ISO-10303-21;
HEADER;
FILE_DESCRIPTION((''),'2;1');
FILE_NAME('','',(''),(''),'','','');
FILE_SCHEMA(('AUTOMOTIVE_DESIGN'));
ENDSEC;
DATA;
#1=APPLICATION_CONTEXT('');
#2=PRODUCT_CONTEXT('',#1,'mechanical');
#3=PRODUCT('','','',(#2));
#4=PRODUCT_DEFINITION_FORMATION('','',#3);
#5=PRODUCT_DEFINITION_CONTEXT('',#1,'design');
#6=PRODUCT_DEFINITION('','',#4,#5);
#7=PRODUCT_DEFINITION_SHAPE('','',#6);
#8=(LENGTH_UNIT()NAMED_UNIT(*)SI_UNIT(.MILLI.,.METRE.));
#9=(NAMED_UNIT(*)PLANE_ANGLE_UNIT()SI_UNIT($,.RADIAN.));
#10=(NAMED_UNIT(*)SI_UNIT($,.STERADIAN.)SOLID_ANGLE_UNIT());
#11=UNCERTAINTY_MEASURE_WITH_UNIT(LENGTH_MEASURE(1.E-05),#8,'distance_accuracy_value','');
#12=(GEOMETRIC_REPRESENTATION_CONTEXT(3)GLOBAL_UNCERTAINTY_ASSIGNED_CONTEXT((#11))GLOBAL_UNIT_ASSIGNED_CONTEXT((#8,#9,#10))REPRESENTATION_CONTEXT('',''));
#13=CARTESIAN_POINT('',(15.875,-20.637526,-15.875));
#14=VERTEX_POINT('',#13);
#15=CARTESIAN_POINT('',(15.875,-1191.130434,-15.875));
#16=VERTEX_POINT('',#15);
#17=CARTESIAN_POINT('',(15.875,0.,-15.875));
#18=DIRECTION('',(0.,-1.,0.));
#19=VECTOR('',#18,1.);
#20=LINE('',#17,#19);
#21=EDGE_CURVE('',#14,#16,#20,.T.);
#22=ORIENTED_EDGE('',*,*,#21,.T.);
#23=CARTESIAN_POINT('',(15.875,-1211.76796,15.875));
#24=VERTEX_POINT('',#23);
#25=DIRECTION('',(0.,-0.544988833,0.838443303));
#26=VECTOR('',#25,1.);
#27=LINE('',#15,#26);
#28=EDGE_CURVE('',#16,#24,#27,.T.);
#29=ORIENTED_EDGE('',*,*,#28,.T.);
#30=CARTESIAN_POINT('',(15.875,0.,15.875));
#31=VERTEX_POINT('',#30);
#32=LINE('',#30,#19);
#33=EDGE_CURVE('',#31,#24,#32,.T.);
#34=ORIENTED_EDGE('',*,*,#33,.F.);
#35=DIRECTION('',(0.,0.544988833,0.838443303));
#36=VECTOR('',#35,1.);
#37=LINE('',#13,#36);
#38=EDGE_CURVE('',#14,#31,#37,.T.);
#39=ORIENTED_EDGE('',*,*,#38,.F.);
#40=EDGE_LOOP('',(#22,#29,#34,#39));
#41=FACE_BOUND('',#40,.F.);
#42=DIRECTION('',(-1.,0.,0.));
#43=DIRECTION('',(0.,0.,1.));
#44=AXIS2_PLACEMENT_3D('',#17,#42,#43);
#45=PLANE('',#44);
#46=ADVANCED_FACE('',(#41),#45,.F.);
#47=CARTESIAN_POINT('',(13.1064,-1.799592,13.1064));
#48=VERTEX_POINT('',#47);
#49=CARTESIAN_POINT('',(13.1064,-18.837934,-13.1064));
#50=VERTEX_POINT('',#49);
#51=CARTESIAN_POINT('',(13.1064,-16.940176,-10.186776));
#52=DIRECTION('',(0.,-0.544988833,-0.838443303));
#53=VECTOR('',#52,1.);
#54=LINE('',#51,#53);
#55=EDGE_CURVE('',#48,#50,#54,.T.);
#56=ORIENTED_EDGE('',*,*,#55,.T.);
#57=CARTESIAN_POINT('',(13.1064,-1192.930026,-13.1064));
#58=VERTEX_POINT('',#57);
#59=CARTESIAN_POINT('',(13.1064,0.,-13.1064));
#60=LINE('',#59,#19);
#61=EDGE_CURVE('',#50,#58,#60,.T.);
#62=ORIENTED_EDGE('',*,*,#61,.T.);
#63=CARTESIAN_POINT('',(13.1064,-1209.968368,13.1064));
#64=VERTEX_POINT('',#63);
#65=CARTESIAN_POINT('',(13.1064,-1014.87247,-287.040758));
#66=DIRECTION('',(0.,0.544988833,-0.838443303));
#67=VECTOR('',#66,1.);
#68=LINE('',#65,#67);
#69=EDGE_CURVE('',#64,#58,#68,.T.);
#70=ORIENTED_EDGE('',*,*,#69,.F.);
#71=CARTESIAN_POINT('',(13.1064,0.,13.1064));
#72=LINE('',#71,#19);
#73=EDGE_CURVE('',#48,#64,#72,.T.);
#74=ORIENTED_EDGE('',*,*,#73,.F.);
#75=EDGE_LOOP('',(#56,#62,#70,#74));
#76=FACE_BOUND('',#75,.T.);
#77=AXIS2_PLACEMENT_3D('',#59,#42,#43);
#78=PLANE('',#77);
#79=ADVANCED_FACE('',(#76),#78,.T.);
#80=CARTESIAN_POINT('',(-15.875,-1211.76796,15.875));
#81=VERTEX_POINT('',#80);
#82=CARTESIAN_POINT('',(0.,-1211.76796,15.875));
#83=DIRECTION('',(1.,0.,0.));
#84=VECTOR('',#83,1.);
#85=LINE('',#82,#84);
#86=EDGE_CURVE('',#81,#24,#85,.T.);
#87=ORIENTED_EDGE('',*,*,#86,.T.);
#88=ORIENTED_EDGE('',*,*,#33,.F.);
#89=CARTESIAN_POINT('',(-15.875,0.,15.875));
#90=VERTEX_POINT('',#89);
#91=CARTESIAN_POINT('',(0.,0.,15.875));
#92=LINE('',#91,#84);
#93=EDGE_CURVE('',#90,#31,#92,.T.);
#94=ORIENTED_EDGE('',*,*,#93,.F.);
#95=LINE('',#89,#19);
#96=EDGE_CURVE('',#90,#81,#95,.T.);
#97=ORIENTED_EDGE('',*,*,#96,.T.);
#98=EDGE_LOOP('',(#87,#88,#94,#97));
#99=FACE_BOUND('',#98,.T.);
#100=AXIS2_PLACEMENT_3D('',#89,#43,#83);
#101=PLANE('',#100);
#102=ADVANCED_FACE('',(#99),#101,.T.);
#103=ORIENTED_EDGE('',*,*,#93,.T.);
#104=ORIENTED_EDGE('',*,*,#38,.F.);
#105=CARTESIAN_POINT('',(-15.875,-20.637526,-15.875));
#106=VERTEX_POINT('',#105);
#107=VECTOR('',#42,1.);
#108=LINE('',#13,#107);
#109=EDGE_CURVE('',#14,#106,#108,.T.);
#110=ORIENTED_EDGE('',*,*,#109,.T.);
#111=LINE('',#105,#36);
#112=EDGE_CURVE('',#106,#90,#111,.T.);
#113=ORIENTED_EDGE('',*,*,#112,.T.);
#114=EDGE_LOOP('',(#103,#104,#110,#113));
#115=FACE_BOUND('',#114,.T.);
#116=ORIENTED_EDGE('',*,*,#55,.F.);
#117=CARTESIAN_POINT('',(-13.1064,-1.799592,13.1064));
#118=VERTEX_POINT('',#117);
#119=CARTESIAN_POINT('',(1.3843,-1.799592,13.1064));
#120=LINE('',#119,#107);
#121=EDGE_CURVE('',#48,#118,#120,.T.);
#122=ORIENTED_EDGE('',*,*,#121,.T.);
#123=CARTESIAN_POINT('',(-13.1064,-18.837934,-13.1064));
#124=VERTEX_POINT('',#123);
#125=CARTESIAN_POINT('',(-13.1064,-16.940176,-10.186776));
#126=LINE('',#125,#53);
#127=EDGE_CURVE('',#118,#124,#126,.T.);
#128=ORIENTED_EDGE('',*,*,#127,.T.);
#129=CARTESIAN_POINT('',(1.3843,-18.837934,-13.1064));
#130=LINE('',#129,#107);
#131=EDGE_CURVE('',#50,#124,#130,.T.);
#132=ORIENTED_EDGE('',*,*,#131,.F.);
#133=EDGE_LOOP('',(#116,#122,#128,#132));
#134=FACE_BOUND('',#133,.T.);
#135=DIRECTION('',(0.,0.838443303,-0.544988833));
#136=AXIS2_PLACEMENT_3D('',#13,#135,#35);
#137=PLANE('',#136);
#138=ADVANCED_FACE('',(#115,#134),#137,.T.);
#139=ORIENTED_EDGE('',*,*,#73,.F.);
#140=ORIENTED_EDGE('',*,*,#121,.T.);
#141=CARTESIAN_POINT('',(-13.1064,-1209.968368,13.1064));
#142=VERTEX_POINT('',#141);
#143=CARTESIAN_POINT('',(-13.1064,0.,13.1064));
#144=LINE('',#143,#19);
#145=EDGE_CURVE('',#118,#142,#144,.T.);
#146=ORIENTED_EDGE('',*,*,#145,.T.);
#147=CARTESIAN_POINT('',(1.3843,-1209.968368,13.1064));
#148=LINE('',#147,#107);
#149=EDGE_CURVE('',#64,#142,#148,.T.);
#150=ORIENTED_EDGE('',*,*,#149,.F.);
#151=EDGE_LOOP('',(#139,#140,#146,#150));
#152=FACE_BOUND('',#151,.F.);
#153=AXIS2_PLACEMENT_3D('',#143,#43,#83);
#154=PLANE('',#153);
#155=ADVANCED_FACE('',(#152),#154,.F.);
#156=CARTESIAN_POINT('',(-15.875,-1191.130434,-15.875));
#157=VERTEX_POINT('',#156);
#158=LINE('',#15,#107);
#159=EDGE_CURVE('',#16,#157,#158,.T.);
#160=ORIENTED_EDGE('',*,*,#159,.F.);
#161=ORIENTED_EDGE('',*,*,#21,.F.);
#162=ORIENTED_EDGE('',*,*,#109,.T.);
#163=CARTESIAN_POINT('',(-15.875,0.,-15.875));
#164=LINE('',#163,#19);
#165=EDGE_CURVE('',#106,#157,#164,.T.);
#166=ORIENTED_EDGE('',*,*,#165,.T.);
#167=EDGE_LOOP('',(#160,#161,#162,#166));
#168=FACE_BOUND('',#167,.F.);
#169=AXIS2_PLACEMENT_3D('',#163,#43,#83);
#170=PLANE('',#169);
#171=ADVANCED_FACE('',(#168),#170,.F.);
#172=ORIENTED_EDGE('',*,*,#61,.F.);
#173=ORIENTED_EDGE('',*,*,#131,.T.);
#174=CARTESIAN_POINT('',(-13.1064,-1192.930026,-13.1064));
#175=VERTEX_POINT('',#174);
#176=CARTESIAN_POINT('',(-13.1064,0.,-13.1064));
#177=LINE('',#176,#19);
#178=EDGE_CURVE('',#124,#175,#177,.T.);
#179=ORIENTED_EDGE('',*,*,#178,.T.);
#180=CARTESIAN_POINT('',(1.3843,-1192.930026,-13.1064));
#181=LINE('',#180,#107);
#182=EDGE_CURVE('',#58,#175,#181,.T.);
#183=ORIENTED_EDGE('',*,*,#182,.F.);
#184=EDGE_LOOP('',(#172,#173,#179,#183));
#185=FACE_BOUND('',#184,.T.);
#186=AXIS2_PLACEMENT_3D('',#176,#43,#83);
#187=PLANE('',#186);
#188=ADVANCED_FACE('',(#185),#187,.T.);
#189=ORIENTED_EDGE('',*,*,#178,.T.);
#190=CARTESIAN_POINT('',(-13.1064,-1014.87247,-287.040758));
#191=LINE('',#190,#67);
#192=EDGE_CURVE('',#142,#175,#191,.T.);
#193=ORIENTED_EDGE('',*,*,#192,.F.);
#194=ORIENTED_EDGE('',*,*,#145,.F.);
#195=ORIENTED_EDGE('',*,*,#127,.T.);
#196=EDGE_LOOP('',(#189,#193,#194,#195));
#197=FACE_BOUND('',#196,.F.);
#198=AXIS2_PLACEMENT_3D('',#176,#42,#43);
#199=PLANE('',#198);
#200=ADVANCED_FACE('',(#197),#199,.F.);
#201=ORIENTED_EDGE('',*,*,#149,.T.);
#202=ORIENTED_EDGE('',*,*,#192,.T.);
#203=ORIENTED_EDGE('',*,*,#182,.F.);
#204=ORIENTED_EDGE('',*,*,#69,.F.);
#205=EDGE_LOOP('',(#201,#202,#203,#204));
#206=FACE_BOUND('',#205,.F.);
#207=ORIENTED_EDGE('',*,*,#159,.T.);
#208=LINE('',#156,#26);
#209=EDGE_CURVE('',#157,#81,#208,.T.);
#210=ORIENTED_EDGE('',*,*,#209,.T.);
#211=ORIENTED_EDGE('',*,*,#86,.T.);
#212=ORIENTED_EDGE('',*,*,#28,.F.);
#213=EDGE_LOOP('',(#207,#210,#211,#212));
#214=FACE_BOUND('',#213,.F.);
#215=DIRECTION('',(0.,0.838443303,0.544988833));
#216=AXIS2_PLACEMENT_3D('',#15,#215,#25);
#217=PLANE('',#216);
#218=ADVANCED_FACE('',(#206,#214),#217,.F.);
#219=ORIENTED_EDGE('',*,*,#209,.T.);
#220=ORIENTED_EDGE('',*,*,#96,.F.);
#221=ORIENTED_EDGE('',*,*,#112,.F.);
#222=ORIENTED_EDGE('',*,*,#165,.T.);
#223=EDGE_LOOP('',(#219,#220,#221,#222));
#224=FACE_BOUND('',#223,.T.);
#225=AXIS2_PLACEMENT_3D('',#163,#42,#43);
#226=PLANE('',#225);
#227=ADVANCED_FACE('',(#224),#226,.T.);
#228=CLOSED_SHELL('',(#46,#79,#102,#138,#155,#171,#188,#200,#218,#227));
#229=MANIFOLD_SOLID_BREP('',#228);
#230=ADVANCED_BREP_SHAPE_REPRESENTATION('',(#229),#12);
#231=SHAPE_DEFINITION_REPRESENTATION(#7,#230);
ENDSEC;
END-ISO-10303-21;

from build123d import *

# Parameters (mm, degrees)
SKETCH_W        = 31.75
SKETCH_H        = 31.75
SKETCH_W_2      = 26.2128
SKETCH_H_2      = 26.2128
PAD_DEPTH       = 1211.76796
POCKET_DEPTH    = 31.75
POCKET001_DEPTH = 31.75


with BuildPart() as part:
    # Sketch → Pad (new body)
    with BuildSketch(Plane.XZ):
        Rectangle(SKETCH_W, SKETCH_H)
        Rectangle(SKETCH_W_2, SKETCH_H_2, mode=Mode.SUBTRACT)
    extrude(amount=PAD_DEPTH)

    # Sketch001 → Pocket (cut)
    with BuildSketch(Plane(origin=(15.875, 0, 0), x_dir=(0, 0, 1), z_dir=(1, 0, 0))):
        Polygon((15.875, 0), (-15.875, 0), (-15.875, 20.637526), align=None)
    extrude(amount=-POCKET_DEPTH, mode=Mode.SUBTRACT)

    # Sketch002 → Pocket001 (cut)
    with BuildSketch(Plane(origin=(15.875, 0, 0), x_dir=(0, 0, 1), z_dir=(1, 0, 0))):
        Polygon((15.875, 1211.76796), (-15.875, 1211.76796), (-15.875, 1191.130434), align=None)
    extrude(amount=-POCKET001_DEPTH, mode=Mode.SUBTRACT)


solid = part.part
